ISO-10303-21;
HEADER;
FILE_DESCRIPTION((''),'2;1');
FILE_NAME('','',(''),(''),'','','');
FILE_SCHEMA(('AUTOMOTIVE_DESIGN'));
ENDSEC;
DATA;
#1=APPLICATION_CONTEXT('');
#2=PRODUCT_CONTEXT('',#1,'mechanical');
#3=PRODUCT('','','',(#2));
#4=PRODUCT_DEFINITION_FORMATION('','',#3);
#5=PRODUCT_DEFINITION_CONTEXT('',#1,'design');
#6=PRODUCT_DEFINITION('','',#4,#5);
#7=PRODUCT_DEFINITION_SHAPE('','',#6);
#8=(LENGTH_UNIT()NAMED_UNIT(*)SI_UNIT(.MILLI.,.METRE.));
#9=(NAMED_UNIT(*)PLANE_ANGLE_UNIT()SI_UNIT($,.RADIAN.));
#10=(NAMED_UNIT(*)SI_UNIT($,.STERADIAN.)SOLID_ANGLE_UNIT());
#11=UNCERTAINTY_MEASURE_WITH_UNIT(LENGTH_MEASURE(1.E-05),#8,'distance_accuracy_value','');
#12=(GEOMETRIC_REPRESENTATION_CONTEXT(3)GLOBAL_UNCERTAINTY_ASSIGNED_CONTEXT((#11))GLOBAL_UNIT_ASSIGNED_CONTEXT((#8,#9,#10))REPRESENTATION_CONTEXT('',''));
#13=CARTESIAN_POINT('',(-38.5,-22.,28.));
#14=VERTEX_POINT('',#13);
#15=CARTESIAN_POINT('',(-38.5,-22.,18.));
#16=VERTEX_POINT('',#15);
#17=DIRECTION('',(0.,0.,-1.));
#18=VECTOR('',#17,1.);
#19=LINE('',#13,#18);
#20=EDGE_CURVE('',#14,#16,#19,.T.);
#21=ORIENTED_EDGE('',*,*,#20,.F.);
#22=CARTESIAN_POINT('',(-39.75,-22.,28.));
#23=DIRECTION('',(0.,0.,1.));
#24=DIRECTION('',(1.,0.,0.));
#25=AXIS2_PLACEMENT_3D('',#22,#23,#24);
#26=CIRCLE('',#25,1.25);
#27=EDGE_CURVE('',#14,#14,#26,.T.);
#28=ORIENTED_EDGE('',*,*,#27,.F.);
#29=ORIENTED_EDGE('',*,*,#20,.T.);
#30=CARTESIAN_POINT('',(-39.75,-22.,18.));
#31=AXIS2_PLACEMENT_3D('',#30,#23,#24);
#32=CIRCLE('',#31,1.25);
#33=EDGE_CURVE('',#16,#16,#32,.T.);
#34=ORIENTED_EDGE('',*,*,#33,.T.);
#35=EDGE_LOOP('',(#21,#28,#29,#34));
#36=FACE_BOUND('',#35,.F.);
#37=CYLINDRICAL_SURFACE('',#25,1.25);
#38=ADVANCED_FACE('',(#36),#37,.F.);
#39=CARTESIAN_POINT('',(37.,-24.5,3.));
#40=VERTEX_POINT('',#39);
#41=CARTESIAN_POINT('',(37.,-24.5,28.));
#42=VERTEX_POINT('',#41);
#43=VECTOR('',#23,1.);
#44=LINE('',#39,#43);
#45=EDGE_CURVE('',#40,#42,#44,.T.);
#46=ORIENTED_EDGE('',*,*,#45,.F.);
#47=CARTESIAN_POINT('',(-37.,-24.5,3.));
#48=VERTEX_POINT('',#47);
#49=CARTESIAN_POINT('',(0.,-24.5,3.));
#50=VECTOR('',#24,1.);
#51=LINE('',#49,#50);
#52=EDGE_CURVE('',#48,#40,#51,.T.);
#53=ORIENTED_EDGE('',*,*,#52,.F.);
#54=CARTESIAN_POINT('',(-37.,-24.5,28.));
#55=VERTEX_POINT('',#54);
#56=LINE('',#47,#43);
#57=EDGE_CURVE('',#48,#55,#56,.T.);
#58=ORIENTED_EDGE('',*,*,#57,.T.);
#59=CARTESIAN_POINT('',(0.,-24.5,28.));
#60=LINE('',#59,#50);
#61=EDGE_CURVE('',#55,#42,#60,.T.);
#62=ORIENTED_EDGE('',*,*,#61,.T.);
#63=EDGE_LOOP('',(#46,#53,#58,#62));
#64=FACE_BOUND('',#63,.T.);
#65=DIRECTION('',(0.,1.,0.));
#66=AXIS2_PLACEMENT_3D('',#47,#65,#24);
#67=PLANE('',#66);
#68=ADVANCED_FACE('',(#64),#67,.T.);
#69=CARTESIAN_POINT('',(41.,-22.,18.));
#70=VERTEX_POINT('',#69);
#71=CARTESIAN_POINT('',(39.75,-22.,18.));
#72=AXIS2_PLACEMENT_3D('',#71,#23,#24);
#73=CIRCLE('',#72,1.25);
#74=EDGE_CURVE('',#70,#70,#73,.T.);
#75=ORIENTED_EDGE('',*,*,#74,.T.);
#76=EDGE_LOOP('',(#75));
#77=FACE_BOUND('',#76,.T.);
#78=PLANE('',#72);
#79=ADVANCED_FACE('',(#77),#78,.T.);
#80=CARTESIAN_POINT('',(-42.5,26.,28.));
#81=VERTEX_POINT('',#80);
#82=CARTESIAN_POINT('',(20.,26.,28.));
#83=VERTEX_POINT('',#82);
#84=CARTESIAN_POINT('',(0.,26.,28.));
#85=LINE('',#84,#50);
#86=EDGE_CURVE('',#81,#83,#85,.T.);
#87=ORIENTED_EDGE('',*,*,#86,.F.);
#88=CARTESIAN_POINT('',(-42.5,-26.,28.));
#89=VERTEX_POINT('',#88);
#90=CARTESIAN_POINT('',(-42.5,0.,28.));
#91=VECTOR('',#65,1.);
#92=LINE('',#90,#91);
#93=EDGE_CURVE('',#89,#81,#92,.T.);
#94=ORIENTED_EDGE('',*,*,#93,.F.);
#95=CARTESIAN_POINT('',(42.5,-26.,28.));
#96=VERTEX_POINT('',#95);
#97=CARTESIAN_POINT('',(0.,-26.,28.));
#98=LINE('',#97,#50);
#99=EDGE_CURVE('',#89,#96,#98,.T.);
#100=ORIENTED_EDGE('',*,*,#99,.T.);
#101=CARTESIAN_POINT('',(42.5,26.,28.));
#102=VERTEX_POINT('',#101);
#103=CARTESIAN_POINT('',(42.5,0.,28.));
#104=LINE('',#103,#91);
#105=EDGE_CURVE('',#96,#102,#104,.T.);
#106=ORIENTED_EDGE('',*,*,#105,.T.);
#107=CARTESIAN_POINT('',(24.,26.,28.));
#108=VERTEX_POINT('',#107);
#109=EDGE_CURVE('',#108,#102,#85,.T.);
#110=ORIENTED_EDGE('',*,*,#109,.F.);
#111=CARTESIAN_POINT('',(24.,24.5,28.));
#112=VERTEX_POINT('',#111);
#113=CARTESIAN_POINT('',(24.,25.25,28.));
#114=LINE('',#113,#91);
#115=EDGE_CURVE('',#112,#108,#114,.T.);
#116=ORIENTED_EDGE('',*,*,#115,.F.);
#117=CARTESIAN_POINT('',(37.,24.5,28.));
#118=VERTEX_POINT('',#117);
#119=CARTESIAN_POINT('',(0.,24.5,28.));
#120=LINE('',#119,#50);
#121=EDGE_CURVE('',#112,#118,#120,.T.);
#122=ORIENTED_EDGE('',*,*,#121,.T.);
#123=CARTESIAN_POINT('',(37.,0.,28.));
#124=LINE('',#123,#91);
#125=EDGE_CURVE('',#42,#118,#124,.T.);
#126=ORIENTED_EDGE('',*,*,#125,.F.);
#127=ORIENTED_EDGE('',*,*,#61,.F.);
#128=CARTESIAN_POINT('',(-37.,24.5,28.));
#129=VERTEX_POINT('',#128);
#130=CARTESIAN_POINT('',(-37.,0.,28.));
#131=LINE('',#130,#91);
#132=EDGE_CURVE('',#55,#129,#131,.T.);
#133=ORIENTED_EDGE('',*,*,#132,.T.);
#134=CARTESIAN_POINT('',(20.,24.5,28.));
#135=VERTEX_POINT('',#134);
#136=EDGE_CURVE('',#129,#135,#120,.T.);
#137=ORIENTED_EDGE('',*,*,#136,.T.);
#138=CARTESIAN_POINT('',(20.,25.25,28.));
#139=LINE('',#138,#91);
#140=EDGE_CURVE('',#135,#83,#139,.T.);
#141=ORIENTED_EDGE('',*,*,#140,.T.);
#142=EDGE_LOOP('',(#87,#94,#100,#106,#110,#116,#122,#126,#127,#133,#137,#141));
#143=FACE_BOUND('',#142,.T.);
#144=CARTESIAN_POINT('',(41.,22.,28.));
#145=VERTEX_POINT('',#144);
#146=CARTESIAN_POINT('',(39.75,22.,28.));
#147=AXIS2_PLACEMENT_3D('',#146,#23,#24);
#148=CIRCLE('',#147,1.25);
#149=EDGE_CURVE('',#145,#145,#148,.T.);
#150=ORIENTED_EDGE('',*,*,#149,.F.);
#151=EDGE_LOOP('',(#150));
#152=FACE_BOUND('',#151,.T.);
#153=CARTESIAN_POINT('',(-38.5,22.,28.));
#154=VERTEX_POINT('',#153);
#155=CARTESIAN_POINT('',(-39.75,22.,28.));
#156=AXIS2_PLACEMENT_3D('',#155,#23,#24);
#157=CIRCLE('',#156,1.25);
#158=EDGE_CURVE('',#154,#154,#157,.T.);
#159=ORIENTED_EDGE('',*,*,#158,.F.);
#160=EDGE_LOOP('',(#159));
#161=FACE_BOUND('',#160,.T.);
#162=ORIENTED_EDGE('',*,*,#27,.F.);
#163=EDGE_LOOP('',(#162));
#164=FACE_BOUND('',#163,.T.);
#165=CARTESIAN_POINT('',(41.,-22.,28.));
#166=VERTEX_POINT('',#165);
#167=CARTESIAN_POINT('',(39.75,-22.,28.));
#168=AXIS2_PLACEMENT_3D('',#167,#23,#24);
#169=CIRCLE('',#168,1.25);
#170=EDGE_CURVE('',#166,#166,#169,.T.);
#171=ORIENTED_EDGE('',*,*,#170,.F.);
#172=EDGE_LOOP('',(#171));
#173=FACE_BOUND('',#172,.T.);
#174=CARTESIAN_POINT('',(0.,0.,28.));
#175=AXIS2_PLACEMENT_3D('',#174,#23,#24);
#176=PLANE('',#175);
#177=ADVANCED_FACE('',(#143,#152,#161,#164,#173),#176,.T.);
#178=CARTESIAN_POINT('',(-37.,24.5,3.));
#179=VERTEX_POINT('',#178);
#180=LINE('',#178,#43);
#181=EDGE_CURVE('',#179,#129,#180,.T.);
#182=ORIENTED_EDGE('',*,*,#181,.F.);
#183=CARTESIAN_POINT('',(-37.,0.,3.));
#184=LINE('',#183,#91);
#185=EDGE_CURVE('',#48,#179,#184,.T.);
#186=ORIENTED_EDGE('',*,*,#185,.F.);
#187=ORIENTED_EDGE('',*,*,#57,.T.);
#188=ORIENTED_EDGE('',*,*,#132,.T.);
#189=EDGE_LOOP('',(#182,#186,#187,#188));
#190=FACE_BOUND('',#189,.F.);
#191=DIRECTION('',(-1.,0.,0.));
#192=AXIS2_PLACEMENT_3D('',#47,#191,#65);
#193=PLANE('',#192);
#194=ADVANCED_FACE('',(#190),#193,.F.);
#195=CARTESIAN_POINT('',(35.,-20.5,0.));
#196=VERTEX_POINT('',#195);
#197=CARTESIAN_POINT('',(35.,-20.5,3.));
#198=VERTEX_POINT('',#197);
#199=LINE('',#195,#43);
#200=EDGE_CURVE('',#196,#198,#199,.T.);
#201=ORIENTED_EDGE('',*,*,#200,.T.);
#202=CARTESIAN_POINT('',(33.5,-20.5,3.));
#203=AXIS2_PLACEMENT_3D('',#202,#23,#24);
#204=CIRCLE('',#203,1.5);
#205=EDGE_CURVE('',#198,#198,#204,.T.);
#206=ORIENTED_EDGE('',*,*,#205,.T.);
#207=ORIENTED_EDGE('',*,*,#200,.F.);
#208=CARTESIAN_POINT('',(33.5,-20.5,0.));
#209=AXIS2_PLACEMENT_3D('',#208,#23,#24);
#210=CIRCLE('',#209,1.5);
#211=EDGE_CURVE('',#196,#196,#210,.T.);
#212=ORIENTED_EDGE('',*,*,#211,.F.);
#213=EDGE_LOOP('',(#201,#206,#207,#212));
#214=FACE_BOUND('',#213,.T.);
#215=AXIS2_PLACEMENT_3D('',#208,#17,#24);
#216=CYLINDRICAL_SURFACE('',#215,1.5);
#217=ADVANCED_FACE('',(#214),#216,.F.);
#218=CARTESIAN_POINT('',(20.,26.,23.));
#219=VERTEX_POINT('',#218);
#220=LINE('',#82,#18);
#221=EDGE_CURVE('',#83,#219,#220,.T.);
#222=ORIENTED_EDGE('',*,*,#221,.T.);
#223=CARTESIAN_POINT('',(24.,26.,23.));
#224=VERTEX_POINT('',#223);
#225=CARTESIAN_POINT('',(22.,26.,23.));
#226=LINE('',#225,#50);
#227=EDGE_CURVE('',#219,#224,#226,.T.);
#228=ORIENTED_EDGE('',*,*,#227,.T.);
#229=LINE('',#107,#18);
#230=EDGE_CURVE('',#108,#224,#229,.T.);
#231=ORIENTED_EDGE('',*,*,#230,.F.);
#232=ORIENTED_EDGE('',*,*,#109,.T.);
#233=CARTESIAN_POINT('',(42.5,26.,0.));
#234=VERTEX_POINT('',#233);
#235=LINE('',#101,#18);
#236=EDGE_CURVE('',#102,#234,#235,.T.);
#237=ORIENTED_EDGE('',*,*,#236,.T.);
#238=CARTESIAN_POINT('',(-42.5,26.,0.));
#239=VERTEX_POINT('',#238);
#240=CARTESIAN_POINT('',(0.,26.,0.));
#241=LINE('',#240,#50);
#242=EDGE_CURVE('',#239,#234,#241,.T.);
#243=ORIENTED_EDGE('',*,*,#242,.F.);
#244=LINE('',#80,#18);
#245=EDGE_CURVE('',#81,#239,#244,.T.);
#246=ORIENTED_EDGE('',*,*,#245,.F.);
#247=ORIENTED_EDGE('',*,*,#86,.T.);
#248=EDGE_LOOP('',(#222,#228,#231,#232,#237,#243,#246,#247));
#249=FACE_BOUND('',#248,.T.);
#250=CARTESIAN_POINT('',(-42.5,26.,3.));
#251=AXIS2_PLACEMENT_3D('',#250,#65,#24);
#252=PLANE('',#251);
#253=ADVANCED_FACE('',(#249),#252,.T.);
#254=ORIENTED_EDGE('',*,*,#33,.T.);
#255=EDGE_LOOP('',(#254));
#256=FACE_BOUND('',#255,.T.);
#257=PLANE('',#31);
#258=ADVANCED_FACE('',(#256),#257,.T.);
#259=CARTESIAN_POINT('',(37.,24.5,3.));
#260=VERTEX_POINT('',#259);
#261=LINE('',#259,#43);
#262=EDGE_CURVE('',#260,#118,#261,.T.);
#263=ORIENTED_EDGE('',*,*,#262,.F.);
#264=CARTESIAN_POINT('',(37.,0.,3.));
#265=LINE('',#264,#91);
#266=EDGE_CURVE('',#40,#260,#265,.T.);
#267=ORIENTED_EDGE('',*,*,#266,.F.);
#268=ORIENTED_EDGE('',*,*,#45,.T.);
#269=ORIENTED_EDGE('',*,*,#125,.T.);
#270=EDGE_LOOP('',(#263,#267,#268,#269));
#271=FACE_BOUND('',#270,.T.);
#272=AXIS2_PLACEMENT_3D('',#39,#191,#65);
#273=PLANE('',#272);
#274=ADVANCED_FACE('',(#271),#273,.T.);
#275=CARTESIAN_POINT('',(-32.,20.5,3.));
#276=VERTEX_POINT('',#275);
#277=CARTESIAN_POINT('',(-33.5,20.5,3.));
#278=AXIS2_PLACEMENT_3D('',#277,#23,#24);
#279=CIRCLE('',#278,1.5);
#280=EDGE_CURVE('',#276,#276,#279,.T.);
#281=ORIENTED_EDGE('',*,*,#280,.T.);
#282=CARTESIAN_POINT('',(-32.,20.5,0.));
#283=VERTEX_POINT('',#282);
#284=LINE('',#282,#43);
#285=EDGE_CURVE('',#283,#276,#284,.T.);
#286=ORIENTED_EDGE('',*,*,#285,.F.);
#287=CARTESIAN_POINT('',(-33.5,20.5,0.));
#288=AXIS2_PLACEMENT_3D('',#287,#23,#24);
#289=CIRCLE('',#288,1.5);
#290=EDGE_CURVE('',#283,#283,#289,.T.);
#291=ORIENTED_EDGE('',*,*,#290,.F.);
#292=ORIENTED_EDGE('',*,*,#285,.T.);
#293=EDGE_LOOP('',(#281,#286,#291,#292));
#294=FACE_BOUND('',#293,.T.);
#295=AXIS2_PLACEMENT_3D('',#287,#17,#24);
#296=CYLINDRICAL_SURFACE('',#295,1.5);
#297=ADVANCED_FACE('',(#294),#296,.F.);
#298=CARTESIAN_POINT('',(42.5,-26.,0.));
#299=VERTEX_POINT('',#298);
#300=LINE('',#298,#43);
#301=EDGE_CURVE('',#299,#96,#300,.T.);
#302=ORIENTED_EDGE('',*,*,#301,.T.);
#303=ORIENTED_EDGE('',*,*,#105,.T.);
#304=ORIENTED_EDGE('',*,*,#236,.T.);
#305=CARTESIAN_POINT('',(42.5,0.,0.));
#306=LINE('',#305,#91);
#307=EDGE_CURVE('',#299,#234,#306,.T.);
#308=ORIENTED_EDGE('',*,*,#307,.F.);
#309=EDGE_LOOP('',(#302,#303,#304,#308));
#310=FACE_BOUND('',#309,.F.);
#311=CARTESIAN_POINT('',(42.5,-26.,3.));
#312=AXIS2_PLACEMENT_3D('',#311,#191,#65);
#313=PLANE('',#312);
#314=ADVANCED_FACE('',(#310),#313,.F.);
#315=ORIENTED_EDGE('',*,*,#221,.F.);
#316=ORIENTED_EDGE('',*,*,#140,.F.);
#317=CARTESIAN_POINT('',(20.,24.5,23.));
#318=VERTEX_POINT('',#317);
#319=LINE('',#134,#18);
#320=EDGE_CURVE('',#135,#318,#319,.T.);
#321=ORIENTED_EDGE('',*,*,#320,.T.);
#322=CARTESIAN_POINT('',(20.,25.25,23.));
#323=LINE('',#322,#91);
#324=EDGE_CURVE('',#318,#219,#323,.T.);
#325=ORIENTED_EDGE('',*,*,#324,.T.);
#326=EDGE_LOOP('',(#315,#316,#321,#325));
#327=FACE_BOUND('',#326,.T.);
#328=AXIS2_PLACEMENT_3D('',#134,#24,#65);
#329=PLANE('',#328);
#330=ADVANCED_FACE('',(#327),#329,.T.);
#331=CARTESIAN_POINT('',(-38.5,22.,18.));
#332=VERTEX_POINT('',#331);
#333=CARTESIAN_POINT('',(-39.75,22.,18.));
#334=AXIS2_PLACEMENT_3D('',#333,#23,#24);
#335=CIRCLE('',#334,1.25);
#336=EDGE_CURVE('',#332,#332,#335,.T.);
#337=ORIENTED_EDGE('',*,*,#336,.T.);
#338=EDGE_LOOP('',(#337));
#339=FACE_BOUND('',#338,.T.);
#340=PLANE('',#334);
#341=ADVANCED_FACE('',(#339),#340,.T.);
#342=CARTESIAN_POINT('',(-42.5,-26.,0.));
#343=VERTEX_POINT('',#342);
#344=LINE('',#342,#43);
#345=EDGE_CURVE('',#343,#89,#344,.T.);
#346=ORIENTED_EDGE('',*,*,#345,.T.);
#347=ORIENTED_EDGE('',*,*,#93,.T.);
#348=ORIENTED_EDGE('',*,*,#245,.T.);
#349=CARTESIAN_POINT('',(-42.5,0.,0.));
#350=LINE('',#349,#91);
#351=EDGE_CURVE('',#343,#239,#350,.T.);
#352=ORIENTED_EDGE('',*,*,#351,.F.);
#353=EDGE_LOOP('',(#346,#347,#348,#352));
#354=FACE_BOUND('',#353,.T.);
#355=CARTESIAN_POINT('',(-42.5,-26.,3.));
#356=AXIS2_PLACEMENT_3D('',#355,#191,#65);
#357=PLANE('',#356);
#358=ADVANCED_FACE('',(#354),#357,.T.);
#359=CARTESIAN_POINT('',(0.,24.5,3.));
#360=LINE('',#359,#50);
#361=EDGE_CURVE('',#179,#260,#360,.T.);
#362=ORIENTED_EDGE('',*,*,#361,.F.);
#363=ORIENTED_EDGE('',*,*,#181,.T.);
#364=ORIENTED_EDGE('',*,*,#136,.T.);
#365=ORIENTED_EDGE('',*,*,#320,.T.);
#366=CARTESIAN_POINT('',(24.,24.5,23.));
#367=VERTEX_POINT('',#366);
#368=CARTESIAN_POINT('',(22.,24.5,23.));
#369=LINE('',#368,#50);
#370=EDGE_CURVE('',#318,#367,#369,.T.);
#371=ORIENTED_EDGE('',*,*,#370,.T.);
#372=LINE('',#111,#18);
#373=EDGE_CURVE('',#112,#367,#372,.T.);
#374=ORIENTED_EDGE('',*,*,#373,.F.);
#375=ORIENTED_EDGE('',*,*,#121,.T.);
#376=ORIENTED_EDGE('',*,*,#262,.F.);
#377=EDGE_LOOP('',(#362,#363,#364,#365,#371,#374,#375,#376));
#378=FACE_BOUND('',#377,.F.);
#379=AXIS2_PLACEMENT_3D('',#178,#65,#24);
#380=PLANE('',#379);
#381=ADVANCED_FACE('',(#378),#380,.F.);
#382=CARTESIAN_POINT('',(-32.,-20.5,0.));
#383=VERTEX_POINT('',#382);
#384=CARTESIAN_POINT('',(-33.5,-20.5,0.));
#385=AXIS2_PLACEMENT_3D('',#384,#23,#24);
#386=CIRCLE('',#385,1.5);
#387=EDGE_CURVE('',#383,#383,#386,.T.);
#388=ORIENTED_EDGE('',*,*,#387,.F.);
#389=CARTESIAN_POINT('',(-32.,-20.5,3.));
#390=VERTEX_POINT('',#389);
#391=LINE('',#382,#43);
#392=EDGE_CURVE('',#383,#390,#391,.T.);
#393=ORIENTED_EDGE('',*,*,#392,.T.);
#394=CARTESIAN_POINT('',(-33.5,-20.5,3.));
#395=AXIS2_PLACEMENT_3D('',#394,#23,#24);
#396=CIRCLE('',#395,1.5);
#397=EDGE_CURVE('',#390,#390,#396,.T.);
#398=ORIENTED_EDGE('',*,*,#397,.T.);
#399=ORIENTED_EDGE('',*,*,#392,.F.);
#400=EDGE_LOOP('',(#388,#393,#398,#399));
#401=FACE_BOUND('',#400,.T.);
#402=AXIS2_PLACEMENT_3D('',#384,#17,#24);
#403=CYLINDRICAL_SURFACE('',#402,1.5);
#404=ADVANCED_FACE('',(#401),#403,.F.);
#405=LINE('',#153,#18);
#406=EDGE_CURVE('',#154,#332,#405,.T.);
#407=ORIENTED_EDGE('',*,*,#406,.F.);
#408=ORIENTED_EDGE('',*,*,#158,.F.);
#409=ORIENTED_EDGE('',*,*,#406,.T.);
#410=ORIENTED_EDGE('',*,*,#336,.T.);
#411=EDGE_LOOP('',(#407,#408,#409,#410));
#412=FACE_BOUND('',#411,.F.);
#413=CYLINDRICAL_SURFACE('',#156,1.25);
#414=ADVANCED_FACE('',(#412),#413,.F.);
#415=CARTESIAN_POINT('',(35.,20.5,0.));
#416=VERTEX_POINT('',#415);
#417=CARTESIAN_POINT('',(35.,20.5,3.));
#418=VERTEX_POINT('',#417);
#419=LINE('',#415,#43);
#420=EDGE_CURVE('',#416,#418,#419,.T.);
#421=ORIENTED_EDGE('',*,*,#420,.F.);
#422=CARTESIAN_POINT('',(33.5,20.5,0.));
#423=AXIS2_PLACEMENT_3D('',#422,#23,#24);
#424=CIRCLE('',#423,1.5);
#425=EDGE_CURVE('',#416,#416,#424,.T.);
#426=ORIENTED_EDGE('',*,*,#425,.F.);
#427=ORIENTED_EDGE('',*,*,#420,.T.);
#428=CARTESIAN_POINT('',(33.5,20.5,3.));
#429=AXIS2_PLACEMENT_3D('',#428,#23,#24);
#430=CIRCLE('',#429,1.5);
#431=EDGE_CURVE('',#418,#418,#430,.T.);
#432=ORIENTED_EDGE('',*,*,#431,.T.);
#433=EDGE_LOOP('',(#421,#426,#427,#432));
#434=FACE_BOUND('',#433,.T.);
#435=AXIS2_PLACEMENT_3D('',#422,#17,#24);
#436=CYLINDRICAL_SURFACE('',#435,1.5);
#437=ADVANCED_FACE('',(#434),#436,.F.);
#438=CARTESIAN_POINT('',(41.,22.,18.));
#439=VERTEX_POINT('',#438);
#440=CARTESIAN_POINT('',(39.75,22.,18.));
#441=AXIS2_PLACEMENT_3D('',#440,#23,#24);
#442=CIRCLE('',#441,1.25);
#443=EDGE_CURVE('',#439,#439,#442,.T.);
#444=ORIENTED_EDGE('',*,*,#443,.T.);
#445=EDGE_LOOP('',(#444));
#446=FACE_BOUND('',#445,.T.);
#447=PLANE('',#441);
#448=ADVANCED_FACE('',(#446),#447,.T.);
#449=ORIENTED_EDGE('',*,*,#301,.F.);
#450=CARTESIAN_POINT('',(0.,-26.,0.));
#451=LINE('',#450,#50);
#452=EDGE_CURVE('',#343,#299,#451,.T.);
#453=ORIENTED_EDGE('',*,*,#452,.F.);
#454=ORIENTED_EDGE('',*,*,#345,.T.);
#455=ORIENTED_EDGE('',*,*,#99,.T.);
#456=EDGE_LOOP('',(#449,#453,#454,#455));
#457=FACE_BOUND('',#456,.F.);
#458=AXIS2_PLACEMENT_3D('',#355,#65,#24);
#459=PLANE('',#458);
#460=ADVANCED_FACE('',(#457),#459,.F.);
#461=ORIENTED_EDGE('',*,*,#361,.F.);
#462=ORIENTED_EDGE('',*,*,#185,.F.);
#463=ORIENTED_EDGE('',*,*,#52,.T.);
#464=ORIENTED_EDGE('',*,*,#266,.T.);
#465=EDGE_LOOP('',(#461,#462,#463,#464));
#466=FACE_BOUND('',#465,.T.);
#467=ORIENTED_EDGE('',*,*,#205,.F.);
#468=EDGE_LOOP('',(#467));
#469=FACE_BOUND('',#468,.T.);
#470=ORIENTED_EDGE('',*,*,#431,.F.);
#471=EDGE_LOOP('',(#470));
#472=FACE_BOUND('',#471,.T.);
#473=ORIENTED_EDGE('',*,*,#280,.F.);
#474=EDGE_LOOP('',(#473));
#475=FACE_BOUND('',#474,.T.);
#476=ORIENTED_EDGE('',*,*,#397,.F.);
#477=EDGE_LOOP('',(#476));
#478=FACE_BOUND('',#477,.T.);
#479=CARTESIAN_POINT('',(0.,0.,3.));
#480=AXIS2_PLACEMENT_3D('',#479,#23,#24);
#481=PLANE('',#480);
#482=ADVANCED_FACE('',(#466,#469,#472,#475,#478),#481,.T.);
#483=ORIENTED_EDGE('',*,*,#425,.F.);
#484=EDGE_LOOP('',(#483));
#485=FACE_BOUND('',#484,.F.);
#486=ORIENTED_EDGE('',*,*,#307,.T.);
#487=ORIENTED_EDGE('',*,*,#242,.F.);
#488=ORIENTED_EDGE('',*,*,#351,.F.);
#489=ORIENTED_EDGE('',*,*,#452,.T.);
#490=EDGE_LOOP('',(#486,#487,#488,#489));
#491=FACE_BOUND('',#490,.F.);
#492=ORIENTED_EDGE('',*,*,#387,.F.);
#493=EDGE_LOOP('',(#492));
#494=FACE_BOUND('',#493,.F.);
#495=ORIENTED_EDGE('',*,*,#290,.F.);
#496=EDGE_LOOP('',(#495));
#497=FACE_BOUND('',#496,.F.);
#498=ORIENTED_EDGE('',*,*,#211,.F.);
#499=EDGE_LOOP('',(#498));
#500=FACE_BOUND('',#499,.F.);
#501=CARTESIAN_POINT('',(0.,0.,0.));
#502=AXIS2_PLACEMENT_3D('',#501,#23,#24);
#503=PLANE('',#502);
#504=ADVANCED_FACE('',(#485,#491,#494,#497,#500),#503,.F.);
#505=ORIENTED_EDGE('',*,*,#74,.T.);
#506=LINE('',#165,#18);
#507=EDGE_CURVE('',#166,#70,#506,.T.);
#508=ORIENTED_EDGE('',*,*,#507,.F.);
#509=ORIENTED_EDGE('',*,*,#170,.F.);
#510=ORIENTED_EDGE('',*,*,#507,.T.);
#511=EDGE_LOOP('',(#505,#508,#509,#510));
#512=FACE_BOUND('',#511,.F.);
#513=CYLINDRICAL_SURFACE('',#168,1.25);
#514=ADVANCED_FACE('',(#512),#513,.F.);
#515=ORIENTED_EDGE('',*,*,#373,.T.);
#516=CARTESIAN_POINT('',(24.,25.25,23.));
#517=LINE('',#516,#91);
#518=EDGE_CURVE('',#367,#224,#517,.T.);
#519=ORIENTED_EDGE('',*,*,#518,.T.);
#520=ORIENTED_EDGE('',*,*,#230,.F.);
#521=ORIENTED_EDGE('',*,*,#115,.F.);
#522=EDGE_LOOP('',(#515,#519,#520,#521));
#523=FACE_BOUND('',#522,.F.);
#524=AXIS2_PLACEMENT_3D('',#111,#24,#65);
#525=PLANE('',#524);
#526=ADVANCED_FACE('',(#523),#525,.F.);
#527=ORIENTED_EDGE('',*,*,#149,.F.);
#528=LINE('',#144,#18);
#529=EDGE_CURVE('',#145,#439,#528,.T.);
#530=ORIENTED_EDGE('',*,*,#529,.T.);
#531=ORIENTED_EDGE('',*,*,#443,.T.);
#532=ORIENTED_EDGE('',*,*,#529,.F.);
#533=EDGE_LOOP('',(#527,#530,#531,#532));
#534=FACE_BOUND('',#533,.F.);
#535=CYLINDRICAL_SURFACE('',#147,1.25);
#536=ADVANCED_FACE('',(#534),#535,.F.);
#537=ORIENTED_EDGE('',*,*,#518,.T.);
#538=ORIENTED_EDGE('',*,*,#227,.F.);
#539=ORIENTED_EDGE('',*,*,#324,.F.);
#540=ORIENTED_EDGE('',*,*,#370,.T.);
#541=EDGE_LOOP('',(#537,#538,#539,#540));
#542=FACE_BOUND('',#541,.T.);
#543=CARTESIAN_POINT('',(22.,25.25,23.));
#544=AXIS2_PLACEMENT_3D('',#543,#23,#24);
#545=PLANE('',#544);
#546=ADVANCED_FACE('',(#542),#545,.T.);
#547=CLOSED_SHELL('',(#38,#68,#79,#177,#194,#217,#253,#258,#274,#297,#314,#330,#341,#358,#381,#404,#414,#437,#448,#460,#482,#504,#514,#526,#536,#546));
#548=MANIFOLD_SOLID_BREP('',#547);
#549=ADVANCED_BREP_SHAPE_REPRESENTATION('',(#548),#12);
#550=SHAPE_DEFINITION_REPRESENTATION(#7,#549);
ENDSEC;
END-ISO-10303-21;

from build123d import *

# Parameters (mm, degrees)
F0_W     = 85
F0_H     = 52
F0_R     = 1.5
F1_DEPTH = 3
F2_W     = 85
F2_H     = 52
F2_W_2   = 74
F2_H_2   = 49
F3_DEPTH = 25
F4_R     = 1.25
F5_DEPTH = 10
F6_W     = 4
F6_H     = 1.5
F7_DEPTH = 5


with BuildPart() as f1:
    # F0 (on Top) → F1 (new body)
    with BuildSketch(Plane.XY):
        Rectangle(F0_W, F0_H)
        with Locations((-33.5, -20.5)):
            Circle(F0_R, mode=Mode.SUBTRACT)
        with Locations((33.5, -20.5)):
            Circle(F0_R, mode=Mode.SUBTRACT)
        with Locations((-33.5, 20.5)):
            Circle(F0_R, mode=Mode.SUBTRACT)
        with Locations((33.5, 20.5)):
            Circle(F0_R, mode=Mode.SUBTRACT)
    extrude(amount=F1_DEPTH)

    # F2 (on face) → F3 (join)
    with BuildSketch(Plane.XY.offset(3)):
        Rectangle(F2_W, F2_H)
        Rectangle(F2_W_2, F2_H_2, mode=Mode.SUBTRACT)
    extrude(amount=F3_DEPTH)

    # F4 (on face) → F5 (cut)
    with BuildSketch(Plane.XY.offset(28)):
        with Locations((-39.75, 22)):
            Circle(F4_R)
        with Locations((-39.75, -22)):
            Circle(F4_R)
        with Locations((39.75, 22)):
            Circle(F4_R)
        with Locations((39.75, -22)):
            Circle(F4_R)
    extrude(amount=-F5_DEPTH, mode=Mode.SUBTRACT)

    # F6 (on face) → F7 (cut)
    with BuildSketch(Plane.XY.offset(28)):
        with Locations((22, 25.25)):
            Rectangle(F6_W, F6_H)
    extrude(amount=-F7_DEPTH, mode=Mode.SUBTRACT)


solid = f1.part
